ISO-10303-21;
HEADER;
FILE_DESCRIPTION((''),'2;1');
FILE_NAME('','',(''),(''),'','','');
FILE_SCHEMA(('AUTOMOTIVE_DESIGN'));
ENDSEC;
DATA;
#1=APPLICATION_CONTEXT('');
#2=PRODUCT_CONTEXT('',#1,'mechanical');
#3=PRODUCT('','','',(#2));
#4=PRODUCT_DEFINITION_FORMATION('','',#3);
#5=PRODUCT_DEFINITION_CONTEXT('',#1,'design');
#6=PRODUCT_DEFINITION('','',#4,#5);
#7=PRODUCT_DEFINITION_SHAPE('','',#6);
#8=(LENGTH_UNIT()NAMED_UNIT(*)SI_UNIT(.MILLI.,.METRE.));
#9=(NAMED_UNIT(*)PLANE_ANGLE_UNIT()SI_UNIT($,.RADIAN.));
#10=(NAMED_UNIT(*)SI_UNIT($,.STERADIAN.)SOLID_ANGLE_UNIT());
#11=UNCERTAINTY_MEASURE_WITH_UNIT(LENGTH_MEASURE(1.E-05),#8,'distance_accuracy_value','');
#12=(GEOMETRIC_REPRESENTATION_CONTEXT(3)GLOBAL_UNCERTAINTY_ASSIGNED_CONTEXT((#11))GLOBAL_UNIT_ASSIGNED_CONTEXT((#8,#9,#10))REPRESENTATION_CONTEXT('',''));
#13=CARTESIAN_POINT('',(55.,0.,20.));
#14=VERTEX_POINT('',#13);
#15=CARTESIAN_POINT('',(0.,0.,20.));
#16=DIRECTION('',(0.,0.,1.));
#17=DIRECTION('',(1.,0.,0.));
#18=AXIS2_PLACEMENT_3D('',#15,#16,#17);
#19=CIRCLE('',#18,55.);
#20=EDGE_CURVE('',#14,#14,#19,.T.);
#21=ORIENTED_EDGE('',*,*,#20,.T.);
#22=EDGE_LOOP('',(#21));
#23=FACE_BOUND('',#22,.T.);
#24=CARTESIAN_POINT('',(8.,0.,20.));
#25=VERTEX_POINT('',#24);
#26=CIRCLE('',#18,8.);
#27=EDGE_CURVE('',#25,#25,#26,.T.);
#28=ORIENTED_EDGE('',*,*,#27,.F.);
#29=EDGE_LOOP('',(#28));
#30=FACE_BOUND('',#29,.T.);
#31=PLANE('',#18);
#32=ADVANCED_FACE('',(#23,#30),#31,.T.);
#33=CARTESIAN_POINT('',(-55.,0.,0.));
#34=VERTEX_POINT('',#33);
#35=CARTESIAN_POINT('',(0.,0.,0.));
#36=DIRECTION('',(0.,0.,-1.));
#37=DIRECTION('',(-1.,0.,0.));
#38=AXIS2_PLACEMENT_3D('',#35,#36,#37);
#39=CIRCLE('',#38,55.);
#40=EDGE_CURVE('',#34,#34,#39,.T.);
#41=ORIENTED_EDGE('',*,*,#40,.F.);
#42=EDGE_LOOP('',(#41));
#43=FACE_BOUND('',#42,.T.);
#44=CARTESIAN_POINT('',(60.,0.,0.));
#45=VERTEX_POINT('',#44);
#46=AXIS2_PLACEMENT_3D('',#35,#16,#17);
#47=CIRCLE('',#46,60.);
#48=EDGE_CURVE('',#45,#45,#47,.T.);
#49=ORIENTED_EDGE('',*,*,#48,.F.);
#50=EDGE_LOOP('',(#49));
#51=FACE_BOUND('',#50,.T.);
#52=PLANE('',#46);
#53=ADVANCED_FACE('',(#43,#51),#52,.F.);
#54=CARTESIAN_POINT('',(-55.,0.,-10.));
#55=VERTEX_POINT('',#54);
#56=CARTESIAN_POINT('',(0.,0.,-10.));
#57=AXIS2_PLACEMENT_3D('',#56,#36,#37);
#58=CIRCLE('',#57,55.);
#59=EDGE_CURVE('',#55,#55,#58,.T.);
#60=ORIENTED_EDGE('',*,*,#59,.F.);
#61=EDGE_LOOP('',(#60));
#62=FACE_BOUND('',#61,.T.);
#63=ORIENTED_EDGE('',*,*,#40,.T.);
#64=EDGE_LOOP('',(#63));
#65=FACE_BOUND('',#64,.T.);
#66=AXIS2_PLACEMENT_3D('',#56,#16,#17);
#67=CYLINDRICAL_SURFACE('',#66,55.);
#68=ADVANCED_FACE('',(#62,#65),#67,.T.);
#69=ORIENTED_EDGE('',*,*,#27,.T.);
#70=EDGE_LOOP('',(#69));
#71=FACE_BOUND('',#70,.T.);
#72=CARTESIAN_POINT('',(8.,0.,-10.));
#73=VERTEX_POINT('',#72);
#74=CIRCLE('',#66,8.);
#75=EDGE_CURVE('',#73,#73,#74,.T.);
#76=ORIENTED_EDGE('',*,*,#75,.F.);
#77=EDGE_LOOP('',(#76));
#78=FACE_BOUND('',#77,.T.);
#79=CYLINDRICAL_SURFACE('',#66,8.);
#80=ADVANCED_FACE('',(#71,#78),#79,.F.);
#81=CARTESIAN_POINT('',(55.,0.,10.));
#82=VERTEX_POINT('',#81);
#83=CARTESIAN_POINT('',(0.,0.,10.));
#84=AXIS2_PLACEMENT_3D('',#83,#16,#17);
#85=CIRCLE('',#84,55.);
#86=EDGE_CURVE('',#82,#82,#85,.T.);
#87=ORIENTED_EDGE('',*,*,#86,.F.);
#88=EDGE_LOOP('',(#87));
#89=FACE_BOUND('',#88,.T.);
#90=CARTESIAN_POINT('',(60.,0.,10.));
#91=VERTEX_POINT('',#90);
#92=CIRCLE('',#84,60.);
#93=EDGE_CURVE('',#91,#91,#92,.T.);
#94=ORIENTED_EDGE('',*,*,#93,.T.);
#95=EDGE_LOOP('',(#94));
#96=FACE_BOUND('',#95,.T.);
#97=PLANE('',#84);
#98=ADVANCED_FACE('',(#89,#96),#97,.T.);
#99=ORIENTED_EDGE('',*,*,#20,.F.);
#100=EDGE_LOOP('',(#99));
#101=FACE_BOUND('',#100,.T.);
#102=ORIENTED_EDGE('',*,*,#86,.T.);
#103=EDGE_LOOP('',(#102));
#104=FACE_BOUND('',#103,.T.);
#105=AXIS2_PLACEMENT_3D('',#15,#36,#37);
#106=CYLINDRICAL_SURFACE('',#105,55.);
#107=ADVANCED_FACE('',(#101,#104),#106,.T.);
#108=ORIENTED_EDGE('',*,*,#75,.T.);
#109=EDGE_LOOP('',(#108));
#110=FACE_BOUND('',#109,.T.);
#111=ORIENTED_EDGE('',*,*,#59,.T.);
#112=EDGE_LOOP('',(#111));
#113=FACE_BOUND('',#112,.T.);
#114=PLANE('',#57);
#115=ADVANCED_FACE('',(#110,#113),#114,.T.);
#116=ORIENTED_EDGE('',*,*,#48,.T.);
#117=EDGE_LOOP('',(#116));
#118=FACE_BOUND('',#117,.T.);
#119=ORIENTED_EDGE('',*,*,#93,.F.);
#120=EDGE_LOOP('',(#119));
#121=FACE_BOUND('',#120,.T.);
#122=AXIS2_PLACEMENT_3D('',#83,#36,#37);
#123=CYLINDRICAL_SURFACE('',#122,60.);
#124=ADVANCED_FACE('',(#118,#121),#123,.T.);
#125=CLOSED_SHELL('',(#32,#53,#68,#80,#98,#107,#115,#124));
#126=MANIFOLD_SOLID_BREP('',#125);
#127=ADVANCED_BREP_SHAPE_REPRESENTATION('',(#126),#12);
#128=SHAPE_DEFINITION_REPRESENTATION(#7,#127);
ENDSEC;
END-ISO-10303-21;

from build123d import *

# Parameters (mm, degrees)
SKETCH1_R           = 60
BOSS_EXTRUDE1_DEPTH = 10
SKETCH2_R           = 55
BOSS_EXTRUDE2_DEPTH = 10
BOSS_EXTRUDE4_START = 10
SKETCH5_R           = 55
BOSS_EXTRUDE4_DEPTH = 10
SKETCH3_R           = 8
CUT_EXTRUDE2_DEPTH  = 91


with BuildPart() as part:
    # Sketch1 → Boss-Extrude1 (new body)
    with BuildSketch(Plane.XY):
        Circle(SKETCH1_R)
    extrude(amount=BOSS_EXTRUDE1_DEPTH)

    # Sketch2 → Boss-Extrude2 (add)
    with BuildSketch(Plane.XY.offset(10)):
        Circle(SKETCH2_R)
    extrude(amount=BOSS_EXTRUDE2_DEPTH)

    # Sketch5 → Boss-Extrude4 (add)
    with BuildSketch(Plane(origin=(0, 0, 0), x_dir=(-1, 0, 0), z_dir=(0, 0, -1)).offset(BOSS_EXTRUDE4_START)):
        with Locations(Location((0, 0, 0), (0, 0, 180))):
            Circle(SKETCH5_R)
    extrude(amount=-BOSS_EXTRUDE4_DEPTH)

    # Sketch3 → Cut-Extrude2 (cut, through all)
    with BuildSketch(Plane.XY.offset(20)):
        Circle(SKETCH3_R)
    extrude(amount=-CUT_EXTRUDE2_DEPTH, mode=Mode.SUBTRACT)


solid = part.part
